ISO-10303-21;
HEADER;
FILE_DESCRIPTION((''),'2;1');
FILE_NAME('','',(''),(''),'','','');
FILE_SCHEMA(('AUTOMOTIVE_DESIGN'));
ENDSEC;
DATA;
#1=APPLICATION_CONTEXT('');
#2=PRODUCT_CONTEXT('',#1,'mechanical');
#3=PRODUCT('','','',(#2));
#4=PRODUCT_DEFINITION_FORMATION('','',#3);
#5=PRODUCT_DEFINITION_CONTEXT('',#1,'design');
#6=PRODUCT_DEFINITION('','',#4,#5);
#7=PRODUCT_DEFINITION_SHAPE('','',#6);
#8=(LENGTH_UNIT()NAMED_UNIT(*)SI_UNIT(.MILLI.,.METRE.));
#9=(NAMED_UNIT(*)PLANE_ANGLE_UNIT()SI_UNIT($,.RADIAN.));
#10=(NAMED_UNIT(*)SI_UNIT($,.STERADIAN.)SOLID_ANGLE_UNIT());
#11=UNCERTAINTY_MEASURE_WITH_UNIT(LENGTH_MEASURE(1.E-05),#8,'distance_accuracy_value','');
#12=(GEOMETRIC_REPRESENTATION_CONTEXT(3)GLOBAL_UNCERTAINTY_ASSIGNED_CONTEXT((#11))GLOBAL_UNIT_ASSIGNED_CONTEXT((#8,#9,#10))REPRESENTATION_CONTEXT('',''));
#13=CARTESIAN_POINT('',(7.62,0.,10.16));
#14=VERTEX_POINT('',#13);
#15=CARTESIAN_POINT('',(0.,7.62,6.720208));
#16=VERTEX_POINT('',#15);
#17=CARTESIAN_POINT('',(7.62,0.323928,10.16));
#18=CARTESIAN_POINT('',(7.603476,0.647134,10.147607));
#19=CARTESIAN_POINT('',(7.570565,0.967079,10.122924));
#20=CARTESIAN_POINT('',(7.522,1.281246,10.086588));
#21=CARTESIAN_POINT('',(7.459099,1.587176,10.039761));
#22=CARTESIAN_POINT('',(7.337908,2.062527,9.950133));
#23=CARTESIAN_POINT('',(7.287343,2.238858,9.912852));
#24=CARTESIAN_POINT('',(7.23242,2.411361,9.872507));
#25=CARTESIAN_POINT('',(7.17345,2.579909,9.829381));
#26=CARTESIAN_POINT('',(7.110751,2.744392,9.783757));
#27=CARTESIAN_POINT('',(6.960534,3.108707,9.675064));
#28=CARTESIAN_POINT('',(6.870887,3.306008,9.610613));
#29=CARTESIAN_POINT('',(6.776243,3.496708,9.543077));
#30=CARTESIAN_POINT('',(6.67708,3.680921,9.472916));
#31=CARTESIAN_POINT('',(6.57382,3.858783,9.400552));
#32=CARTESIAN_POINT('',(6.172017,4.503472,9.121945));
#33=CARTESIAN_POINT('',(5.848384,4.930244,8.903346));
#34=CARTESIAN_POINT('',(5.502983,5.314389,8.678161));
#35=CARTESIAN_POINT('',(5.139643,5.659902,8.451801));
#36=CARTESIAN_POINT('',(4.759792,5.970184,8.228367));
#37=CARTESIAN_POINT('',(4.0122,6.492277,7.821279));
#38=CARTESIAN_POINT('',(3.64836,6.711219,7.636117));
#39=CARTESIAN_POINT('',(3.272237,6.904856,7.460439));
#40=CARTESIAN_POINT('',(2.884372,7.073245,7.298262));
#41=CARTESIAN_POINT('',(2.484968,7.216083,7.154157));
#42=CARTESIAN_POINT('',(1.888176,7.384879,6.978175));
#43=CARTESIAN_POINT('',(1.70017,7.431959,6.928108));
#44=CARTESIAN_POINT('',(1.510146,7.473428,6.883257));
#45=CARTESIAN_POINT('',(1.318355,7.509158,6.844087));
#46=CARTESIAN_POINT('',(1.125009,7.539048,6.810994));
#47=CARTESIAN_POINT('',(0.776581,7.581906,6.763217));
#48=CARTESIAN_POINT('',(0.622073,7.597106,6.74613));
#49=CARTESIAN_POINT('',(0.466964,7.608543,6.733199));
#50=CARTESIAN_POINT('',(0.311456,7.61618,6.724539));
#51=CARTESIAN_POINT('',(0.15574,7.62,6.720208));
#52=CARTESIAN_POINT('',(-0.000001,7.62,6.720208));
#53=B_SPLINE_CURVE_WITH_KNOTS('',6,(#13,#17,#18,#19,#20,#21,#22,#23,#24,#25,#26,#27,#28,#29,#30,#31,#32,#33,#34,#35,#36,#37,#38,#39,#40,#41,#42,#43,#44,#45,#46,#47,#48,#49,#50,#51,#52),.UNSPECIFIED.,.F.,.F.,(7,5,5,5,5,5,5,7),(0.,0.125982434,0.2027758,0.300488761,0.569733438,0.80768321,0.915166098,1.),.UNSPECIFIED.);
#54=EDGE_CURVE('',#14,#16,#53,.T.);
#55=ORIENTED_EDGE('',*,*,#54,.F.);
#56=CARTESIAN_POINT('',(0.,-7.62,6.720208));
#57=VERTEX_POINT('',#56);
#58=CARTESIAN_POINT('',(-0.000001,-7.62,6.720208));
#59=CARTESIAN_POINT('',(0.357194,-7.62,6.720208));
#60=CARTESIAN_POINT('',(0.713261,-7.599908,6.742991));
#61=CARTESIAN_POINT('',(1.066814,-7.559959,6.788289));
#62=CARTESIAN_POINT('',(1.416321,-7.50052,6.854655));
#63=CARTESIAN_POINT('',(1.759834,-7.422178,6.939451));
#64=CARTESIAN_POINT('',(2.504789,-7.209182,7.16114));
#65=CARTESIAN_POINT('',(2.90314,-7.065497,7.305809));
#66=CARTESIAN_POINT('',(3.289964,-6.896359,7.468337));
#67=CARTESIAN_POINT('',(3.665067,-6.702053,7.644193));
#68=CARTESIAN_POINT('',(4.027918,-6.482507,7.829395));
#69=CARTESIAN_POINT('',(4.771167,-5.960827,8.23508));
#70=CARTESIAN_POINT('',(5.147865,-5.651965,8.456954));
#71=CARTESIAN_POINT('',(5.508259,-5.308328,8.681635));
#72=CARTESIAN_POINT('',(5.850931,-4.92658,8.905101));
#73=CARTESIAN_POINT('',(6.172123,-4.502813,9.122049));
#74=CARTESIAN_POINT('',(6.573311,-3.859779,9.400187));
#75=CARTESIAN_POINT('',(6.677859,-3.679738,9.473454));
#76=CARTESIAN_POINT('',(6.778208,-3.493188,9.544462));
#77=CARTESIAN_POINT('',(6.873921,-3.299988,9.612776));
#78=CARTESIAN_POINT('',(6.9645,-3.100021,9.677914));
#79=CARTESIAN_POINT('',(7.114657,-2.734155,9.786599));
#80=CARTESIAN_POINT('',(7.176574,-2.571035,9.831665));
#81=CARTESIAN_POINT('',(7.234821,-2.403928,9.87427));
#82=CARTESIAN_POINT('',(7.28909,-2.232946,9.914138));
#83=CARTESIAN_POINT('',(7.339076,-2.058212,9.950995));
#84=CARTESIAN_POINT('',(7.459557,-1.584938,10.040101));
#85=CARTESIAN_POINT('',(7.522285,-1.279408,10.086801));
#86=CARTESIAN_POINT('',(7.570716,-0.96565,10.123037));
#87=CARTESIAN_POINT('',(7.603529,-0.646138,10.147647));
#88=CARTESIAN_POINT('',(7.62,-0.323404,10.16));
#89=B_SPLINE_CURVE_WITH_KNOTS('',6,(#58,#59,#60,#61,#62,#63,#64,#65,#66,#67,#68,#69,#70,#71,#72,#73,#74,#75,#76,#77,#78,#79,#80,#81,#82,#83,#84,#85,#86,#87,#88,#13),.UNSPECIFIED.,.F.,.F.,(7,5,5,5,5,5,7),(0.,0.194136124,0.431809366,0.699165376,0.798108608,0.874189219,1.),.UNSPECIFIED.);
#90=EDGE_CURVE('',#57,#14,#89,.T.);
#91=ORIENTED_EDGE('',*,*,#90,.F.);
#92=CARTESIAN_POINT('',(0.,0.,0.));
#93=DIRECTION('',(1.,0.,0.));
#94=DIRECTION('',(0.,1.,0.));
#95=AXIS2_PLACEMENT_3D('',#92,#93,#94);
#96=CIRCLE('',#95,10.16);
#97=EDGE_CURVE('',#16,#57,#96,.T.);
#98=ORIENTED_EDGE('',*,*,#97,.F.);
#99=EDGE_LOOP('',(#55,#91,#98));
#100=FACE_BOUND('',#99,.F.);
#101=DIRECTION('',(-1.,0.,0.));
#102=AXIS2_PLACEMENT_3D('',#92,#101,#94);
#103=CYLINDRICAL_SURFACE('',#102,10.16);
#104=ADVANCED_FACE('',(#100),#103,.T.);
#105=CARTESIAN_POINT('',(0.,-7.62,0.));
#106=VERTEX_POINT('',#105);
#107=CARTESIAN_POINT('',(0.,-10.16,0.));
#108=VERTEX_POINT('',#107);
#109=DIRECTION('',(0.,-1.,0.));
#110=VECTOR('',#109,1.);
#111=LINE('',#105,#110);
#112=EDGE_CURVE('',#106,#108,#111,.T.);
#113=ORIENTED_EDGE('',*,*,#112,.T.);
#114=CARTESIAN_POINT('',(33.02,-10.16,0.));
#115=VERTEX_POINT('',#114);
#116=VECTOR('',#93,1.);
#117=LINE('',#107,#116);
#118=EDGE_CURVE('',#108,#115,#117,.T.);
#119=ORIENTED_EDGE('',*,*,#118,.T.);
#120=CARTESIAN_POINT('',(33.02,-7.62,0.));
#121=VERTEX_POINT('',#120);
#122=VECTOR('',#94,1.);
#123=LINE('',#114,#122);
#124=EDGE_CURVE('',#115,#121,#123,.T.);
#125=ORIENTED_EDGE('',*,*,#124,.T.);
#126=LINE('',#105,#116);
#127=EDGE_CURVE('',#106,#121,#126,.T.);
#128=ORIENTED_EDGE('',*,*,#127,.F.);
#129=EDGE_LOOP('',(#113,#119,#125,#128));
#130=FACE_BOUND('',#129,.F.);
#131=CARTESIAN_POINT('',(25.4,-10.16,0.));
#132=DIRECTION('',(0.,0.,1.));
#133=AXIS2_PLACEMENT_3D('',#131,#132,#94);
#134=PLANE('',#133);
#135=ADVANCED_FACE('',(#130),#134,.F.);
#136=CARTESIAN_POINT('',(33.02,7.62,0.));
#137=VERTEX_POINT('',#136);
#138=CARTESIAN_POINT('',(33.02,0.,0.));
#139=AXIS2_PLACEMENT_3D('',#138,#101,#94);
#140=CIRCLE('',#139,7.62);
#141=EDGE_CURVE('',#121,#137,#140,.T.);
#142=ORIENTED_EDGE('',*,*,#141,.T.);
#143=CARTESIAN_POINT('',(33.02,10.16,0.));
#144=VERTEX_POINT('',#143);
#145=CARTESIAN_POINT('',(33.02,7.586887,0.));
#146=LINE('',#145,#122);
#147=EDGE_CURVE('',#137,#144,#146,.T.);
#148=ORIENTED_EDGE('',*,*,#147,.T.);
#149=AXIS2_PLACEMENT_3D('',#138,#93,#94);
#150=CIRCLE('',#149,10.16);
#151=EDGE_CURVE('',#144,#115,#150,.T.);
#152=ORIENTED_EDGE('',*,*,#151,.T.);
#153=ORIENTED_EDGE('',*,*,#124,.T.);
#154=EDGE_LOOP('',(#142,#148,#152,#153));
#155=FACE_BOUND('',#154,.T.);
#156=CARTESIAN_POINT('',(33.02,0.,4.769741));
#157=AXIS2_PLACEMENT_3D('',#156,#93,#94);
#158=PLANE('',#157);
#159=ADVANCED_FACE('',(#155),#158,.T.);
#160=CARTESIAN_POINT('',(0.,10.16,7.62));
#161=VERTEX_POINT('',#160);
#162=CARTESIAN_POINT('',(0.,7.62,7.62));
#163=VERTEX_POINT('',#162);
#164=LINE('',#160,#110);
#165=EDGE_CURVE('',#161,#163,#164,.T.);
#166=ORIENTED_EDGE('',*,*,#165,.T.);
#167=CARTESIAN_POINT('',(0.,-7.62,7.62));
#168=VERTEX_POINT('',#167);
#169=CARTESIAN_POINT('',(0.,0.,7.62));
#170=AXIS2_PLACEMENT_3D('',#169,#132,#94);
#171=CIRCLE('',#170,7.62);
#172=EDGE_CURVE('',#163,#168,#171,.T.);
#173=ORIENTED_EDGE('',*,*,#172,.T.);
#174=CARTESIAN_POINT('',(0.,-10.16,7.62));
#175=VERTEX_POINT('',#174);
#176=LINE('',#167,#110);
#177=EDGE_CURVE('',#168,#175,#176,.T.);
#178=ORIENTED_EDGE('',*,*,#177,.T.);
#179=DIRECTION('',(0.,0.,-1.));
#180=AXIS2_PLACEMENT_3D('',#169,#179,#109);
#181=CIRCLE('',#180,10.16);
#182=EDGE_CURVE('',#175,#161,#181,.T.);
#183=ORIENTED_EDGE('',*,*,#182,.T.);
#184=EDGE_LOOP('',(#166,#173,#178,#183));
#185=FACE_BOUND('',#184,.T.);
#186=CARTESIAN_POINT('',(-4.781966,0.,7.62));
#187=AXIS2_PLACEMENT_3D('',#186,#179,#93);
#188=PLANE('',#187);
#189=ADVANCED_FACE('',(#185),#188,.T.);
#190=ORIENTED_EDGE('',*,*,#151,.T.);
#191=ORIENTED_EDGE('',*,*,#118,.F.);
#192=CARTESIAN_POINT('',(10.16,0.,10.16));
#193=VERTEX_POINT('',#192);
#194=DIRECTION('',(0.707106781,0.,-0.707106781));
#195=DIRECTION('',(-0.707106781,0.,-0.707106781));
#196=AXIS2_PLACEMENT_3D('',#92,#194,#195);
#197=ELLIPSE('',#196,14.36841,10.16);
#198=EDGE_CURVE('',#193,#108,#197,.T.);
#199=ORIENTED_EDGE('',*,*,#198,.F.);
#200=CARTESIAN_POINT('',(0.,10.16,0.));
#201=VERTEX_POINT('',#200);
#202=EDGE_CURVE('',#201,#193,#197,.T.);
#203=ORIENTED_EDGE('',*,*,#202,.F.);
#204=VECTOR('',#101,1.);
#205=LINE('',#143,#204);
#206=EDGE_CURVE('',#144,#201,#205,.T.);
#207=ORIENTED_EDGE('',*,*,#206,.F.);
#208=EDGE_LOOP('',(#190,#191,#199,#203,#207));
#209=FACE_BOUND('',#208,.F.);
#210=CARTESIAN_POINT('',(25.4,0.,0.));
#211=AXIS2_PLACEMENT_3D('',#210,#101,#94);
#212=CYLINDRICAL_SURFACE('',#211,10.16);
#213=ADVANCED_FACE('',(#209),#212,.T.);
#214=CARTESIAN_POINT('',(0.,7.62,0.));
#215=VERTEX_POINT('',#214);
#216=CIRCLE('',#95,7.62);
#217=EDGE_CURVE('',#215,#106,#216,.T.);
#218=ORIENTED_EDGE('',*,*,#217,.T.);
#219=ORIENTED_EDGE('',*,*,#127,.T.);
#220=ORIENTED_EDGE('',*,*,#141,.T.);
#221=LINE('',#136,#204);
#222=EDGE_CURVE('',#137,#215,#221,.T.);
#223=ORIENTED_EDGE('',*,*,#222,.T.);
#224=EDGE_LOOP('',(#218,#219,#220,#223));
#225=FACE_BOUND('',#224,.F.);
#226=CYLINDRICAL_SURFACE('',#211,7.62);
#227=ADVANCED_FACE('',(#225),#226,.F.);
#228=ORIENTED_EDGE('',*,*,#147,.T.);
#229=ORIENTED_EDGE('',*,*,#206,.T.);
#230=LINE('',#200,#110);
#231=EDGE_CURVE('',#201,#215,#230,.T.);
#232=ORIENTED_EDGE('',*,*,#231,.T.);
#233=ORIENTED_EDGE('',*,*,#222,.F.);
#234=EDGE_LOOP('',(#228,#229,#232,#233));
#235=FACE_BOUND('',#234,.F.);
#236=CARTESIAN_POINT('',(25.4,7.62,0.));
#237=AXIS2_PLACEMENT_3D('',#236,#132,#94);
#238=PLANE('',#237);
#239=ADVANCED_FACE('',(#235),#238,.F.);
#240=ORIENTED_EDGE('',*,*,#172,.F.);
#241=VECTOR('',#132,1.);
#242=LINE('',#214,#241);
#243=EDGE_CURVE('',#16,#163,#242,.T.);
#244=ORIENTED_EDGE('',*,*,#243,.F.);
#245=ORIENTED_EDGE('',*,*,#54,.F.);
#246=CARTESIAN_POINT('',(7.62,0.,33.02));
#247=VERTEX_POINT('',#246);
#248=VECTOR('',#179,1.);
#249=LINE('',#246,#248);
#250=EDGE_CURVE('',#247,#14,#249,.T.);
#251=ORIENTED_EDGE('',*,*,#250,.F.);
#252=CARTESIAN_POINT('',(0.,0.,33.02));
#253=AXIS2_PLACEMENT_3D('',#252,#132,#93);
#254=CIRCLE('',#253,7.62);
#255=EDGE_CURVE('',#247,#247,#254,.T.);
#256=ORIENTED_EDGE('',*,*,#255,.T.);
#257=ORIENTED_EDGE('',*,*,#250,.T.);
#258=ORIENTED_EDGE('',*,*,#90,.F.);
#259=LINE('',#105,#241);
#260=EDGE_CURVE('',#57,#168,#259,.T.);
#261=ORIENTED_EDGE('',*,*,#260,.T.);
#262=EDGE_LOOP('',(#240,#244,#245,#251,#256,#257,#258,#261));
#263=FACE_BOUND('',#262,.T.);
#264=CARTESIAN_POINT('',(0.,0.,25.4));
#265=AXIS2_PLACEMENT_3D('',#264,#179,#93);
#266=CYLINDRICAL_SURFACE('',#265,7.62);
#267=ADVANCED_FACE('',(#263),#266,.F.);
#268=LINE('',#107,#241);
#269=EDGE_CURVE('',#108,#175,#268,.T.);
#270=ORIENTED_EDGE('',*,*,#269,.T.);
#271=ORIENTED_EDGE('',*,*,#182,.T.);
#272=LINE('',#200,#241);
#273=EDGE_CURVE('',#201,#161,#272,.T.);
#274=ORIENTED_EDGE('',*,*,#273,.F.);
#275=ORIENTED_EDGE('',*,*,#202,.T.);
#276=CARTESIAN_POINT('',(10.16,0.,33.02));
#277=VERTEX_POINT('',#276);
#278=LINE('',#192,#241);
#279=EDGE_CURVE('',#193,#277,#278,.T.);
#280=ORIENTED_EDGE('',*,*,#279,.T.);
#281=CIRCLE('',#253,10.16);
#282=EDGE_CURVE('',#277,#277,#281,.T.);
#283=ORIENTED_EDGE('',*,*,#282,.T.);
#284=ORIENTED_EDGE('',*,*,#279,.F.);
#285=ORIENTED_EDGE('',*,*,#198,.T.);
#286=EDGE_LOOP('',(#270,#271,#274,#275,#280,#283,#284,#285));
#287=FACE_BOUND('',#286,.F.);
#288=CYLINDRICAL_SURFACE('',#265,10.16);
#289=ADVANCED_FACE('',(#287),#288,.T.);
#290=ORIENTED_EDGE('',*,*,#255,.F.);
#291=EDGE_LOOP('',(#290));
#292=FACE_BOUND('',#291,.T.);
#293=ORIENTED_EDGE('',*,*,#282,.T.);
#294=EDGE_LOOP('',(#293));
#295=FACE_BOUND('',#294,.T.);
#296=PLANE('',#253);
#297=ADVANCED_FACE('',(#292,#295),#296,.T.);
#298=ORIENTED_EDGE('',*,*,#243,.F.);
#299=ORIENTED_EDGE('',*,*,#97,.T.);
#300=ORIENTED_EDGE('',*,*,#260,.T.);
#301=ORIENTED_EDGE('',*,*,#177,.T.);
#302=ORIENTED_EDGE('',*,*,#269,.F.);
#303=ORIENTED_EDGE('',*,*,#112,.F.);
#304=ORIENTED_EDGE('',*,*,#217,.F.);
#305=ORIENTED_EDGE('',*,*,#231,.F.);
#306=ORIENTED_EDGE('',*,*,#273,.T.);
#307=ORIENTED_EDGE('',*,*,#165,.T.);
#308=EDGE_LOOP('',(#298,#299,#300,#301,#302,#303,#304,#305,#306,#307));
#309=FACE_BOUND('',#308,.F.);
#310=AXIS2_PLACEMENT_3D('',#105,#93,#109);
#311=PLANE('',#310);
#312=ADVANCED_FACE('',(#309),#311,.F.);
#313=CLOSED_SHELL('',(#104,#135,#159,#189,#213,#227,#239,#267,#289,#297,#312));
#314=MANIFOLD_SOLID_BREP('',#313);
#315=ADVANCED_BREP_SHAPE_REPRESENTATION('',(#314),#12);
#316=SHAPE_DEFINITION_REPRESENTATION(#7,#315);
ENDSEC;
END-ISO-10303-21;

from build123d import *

# Parameters (mm, degrees)
F0_R     = 10.16
F0_R_2   = 7.62
F1_DEPTH = 25.4
F3_DEPTH = 25.4
F5_DEPTH = 46.736
F7_DEPTH = 7.62
F8_DEPTH = 7.62
F9_DEPTH = 7.62


with BuildPart() as f1:
    # F0 (on Top) → F1 (new body)
    with BuildSketch(Plane.XY):
        Circle(F0_R)
        Circle(F0_R_2, mode=Mode.SUBTRACT)
    extrude(amount=F1_DEPTH)

    # F2 (on Right) → F3 (join)
    with BuildSketch(Plane.YZ):
        with BuildLine():
            Line((-10.16, 0), (-7.5868873905, 0))
            ThreePointArc((-7.5868873905, 0), (0, 7.5868873905), (7.5868873905, 0))
            Line((7.5868873905, 0), (10.16, 0))
            ThreePointArc((10.16, 0), (0, 10.16), (-10.16, 0))
        make_face()
    extrude(amount=F3_DEPTH)

    # F4 (on Right) → F5 (cut)
    with BuildSketch(Plane.YZ):
        with BuildLine():
            ThreePointArc((7.62, 0), (0, 7.62), (-7.62, 0))
            Line((-7.62, 0), (7.62, 0))
        make_face()
    extrude(amount=F5_DEPTH, mode=Mode.SUBTRACT)

    # F6 (on face) → F7 (cut)
    with BuildSketch(Plane(origin=(0, 0, 0), x_dir=(1, 0, 0), z_dir=(0, 0, -1))):
        with BuildLine():
            Line((0, 7.62), (0, 10.16))
            ThreePointArc((0, 10.16), (-10.16, 0), (0, -10.16))
            Line((0, -10.16), (0, -7.62))
            ThreePointArc((0, -7.62), (-7.62, 0), (0, 7.62))
        make_face()
    extrude(amount=-F7_DEPTH, mode=Mode.SUBTRACT)

    # F8 (add): a face of the model
    f8_faces = [f1.faces().sort_by_distance(p)[0] for p in [
        (-9.8726318041, 0, 25.4),
    ]]
    extrude(f8_faces, amount=F8_DEPTH)

    # F9 (add): a face of the model
    f9_faces = [f1.faces().sort_by_distance(p)[0] for p in [
        (25.4, 0, 7.8471845065),
    ]]
    extrude(f9_faces, amount=F9_DEPTH)


solid = f1.part
